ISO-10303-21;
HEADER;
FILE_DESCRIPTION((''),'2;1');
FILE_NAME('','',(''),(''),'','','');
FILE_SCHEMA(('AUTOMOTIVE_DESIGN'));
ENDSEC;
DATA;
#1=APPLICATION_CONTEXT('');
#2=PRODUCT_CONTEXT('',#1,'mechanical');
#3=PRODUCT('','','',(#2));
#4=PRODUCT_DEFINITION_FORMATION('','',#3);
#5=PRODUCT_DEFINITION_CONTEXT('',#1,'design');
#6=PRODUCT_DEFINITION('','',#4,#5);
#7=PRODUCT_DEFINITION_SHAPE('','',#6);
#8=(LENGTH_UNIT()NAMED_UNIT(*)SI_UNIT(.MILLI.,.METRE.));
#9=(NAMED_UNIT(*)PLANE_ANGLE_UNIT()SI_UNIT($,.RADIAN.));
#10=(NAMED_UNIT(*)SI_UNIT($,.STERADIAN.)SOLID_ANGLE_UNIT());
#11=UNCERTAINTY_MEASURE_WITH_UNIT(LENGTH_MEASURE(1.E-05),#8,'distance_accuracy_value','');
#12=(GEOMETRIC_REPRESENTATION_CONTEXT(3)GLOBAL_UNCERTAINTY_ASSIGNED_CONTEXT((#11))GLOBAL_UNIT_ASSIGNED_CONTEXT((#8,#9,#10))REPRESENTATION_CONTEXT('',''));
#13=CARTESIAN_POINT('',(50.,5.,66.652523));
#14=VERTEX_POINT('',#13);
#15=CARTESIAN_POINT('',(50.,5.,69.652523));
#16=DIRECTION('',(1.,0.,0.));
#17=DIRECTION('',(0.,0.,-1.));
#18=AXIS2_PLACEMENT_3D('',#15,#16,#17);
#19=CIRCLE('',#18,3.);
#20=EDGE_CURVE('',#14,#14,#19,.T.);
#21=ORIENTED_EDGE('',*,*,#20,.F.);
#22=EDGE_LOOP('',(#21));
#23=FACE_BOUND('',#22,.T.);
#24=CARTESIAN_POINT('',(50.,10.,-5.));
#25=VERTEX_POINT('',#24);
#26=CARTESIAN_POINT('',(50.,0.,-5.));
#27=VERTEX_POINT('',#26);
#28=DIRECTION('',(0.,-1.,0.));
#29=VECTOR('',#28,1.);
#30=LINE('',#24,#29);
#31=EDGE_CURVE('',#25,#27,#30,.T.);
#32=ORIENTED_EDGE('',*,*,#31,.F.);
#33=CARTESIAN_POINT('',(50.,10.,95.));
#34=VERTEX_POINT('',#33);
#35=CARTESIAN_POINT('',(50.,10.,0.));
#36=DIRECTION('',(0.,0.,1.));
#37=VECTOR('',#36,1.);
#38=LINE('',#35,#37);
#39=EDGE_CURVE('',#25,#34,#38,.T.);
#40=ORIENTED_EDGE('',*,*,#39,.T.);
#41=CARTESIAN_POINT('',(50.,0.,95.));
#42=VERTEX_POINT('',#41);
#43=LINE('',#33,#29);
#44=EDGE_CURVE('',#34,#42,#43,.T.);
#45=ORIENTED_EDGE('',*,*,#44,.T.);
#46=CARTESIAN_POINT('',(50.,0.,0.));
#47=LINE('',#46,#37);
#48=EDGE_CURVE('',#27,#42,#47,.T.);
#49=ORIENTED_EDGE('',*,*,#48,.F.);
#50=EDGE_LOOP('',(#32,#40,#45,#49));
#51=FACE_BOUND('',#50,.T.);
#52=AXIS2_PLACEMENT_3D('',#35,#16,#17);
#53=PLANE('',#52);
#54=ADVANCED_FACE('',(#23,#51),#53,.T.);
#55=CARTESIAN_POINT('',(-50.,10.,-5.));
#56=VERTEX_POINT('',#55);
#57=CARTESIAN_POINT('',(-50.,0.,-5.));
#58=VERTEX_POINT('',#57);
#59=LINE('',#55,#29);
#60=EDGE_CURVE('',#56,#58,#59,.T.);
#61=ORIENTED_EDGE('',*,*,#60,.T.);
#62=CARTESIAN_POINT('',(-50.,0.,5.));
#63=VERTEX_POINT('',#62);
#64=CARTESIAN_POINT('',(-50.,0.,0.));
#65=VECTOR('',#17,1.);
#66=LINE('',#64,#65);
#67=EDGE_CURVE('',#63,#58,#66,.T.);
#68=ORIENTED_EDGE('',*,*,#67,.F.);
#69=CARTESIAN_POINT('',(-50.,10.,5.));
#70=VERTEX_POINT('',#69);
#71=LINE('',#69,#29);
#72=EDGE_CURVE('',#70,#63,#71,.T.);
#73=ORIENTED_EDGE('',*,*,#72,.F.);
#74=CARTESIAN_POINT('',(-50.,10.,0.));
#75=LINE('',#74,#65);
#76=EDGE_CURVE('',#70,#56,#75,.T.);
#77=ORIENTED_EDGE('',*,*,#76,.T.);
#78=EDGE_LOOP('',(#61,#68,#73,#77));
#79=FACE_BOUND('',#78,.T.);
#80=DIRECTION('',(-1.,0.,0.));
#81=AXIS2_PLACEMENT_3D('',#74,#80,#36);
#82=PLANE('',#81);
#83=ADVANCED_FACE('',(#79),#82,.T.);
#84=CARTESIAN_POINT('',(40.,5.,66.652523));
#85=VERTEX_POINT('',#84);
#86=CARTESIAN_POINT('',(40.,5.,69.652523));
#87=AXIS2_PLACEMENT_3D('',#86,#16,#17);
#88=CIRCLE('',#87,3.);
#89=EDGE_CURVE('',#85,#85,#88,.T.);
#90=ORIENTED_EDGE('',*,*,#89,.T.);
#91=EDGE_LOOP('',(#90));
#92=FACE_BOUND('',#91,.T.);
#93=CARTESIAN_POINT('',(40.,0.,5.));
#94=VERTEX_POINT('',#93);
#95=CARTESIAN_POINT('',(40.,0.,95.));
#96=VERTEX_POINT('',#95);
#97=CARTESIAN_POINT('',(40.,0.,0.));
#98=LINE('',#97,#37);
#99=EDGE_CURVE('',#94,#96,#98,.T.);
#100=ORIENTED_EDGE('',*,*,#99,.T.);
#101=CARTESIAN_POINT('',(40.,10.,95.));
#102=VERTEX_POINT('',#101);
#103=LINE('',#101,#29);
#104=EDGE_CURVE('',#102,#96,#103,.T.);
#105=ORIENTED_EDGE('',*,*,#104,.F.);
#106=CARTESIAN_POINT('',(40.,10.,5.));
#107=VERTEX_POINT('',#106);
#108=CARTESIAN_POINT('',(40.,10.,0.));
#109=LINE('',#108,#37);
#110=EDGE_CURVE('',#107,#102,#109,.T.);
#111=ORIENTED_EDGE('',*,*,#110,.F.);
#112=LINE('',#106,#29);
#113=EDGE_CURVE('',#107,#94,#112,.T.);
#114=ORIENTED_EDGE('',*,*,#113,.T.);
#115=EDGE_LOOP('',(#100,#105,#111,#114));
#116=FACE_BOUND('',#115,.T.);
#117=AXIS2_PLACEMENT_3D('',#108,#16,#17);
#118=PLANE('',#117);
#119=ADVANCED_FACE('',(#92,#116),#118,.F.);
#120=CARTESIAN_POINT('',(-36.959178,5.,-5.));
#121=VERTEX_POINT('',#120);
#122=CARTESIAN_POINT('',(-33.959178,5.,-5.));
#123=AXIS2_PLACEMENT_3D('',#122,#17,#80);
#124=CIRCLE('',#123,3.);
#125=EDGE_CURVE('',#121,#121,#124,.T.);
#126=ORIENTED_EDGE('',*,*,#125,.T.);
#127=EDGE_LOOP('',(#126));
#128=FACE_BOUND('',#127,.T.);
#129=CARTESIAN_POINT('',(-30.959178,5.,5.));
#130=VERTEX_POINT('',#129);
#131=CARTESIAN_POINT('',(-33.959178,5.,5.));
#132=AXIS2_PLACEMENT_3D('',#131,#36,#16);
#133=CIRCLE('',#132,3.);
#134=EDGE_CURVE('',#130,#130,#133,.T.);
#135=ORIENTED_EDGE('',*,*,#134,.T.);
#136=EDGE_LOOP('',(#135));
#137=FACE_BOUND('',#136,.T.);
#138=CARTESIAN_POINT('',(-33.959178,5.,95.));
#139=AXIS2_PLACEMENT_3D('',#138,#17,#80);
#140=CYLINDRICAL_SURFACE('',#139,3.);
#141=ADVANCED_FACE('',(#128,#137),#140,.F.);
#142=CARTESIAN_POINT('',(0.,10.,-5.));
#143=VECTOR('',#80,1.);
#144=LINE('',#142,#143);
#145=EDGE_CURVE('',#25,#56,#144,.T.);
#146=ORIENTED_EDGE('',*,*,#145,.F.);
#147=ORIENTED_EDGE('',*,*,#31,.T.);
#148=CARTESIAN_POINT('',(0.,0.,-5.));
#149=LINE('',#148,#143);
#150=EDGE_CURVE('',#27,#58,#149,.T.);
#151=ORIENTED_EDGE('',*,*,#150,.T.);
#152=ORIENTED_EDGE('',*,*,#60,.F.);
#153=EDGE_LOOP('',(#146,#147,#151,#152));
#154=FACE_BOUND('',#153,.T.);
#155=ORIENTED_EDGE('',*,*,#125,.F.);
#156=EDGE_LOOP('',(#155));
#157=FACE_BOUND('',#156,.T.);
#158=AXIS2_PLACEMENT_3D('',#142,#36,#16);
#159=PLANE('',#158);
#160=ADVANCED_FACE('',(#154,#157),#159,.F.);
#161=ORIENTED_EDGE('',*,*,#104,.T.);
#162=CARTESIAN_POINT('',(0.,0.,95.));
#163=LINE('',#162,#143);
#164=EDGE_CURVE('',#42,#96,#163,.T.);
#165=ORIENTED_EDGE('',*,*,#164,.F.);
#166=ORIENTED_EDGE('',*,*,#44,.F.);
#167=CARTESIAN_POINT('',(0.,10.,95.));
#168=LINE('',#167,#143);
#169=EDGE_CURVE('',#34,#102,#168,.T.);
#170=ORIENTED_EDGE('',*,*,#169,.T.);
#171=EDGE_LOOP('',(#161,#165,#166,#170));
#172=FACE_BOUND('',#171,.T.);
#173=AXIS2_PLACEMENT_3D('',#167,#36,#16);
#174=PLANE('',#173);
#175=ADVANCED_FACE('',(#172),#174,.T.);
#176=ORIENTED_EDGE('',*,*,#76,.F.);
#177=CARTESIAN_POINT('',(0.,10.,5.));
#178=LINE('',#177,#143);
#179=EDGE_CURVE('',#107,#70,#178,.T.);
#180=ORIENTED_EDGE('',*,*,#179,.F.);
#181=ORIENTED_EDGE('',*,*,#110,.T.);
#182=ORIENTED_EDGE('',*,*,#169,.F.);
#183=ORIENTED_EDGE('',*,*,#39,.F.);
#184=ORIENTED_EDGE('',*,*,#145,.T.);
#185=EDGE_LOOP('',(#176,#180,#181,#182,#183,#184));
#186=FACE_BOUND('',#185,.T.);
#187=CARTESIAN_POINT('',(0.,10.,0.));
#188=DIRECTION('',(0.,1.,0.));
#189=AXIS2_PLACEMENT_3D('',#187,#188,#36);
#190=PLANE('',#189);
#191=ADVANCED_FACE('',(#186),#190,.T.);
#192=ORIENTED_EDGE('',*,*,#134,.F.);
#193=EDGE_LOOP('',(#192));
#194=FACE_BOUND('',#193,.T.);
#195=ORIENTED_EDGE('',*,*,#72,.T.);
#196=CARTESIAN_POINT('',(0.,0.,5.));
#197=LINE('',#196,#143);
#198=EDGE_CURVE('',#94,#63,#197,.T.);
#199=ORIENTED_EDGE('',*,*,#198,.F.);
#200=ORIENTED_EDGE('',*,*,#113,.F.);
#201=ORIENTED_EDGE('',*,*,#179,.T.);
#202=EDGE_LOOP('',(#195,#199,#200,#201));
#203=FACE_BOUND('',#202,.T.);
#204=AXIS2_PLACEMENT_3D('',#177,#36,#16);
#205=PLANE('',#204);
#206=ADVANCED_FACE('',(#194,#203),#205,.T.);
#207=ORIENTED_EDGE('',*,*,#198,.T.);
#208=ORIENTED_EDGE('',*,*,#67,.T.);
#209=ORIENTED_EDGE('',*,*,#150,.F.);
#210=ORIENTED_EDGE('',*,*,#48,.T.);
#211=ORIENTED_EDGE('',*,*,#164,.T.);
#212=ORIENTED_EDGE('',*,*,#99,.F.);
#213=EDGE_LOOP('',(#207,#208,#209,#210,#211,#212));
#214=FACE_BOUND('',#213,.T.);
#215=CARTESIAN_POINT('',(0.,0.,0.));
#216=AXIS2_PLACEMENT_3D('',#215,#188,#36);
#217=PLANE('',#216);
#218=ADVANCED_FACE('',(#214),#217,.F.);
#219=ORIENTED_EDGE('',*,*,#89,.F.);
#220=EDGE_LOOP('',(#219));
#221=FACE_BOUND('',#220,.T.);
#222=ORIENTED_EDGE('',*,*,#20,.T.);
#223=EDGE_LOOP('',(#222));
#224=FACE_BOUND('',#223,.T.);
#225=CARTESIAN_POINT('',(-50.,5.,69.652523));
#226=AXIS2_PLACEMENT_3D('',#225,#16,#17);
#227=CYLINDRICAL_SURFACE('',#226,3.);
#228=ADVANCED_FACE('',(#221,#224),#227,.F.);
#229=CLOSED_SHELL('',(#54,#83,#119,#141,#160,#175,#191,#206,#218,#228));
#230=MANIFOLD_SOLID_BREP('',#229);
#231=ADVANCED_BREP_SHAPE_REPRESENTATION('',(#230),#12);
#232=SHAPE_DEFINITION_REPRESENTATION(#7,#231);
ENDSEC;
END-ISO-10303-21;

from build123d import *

# Parameters (mm, degrees)
Y_KSEKLIK_EKSTR_ZYON1_DEPTH = 10
IZIM2_R                     = 3
KES_EKSTR_ZYON1_DEPTH       = 113.249721603
IZIM3_R                     = 3
KES_EKSTR_ZYON2_DEPTH       = 139.293166859


with BuildPart() as part:
    # Çizim1 → Yükseklik-Ekstrüzyon1 (new body)
    with BuildSketch(Plane(origin=(0, 0, 0), x_dir=(1, 0, 0), z_dir=(0, 1, 0))):
        Polygon((-50, -5), (40, -5), (40, -95), (50, -95), (50, -10), (50, 5), (18.191830665, 5), (-50, 5), align=None)
    extrude(amount=Y_KSEKLIK_EKSTR_ZYON1_DEPTH)

    # Çizim2 → Kes-Ekstrüzyon1 (cut, through all)
    with BuildSketch(Plane(origin=(0, 0, -5), x_dir=(-1, 0, 0), z_dir=(0, 0, -1))):
        with Locations((33.959177931, 5)):
            Circle(IZIM2_R)
    extrude(amount=-KES_EKSTR_ZYON1_DEPTH, mode=Mode.SUBTRACT)

    # Çizim3 → Kes-Ekstrüzyon2 (cut, through all)
    with BuildSketch(Plane(origin=(50, 0, 0), x_dir=(0, 0, -1), z_dir=(1, 0, 0))):
        with Locations((-69.652523483, 5)):
            Circle(IZIM3_R)
    extrude(amount=-KES_EKSTR_ZYON2_DEPTH, mode=Mode.SUBTRACT)


solid = part.part
